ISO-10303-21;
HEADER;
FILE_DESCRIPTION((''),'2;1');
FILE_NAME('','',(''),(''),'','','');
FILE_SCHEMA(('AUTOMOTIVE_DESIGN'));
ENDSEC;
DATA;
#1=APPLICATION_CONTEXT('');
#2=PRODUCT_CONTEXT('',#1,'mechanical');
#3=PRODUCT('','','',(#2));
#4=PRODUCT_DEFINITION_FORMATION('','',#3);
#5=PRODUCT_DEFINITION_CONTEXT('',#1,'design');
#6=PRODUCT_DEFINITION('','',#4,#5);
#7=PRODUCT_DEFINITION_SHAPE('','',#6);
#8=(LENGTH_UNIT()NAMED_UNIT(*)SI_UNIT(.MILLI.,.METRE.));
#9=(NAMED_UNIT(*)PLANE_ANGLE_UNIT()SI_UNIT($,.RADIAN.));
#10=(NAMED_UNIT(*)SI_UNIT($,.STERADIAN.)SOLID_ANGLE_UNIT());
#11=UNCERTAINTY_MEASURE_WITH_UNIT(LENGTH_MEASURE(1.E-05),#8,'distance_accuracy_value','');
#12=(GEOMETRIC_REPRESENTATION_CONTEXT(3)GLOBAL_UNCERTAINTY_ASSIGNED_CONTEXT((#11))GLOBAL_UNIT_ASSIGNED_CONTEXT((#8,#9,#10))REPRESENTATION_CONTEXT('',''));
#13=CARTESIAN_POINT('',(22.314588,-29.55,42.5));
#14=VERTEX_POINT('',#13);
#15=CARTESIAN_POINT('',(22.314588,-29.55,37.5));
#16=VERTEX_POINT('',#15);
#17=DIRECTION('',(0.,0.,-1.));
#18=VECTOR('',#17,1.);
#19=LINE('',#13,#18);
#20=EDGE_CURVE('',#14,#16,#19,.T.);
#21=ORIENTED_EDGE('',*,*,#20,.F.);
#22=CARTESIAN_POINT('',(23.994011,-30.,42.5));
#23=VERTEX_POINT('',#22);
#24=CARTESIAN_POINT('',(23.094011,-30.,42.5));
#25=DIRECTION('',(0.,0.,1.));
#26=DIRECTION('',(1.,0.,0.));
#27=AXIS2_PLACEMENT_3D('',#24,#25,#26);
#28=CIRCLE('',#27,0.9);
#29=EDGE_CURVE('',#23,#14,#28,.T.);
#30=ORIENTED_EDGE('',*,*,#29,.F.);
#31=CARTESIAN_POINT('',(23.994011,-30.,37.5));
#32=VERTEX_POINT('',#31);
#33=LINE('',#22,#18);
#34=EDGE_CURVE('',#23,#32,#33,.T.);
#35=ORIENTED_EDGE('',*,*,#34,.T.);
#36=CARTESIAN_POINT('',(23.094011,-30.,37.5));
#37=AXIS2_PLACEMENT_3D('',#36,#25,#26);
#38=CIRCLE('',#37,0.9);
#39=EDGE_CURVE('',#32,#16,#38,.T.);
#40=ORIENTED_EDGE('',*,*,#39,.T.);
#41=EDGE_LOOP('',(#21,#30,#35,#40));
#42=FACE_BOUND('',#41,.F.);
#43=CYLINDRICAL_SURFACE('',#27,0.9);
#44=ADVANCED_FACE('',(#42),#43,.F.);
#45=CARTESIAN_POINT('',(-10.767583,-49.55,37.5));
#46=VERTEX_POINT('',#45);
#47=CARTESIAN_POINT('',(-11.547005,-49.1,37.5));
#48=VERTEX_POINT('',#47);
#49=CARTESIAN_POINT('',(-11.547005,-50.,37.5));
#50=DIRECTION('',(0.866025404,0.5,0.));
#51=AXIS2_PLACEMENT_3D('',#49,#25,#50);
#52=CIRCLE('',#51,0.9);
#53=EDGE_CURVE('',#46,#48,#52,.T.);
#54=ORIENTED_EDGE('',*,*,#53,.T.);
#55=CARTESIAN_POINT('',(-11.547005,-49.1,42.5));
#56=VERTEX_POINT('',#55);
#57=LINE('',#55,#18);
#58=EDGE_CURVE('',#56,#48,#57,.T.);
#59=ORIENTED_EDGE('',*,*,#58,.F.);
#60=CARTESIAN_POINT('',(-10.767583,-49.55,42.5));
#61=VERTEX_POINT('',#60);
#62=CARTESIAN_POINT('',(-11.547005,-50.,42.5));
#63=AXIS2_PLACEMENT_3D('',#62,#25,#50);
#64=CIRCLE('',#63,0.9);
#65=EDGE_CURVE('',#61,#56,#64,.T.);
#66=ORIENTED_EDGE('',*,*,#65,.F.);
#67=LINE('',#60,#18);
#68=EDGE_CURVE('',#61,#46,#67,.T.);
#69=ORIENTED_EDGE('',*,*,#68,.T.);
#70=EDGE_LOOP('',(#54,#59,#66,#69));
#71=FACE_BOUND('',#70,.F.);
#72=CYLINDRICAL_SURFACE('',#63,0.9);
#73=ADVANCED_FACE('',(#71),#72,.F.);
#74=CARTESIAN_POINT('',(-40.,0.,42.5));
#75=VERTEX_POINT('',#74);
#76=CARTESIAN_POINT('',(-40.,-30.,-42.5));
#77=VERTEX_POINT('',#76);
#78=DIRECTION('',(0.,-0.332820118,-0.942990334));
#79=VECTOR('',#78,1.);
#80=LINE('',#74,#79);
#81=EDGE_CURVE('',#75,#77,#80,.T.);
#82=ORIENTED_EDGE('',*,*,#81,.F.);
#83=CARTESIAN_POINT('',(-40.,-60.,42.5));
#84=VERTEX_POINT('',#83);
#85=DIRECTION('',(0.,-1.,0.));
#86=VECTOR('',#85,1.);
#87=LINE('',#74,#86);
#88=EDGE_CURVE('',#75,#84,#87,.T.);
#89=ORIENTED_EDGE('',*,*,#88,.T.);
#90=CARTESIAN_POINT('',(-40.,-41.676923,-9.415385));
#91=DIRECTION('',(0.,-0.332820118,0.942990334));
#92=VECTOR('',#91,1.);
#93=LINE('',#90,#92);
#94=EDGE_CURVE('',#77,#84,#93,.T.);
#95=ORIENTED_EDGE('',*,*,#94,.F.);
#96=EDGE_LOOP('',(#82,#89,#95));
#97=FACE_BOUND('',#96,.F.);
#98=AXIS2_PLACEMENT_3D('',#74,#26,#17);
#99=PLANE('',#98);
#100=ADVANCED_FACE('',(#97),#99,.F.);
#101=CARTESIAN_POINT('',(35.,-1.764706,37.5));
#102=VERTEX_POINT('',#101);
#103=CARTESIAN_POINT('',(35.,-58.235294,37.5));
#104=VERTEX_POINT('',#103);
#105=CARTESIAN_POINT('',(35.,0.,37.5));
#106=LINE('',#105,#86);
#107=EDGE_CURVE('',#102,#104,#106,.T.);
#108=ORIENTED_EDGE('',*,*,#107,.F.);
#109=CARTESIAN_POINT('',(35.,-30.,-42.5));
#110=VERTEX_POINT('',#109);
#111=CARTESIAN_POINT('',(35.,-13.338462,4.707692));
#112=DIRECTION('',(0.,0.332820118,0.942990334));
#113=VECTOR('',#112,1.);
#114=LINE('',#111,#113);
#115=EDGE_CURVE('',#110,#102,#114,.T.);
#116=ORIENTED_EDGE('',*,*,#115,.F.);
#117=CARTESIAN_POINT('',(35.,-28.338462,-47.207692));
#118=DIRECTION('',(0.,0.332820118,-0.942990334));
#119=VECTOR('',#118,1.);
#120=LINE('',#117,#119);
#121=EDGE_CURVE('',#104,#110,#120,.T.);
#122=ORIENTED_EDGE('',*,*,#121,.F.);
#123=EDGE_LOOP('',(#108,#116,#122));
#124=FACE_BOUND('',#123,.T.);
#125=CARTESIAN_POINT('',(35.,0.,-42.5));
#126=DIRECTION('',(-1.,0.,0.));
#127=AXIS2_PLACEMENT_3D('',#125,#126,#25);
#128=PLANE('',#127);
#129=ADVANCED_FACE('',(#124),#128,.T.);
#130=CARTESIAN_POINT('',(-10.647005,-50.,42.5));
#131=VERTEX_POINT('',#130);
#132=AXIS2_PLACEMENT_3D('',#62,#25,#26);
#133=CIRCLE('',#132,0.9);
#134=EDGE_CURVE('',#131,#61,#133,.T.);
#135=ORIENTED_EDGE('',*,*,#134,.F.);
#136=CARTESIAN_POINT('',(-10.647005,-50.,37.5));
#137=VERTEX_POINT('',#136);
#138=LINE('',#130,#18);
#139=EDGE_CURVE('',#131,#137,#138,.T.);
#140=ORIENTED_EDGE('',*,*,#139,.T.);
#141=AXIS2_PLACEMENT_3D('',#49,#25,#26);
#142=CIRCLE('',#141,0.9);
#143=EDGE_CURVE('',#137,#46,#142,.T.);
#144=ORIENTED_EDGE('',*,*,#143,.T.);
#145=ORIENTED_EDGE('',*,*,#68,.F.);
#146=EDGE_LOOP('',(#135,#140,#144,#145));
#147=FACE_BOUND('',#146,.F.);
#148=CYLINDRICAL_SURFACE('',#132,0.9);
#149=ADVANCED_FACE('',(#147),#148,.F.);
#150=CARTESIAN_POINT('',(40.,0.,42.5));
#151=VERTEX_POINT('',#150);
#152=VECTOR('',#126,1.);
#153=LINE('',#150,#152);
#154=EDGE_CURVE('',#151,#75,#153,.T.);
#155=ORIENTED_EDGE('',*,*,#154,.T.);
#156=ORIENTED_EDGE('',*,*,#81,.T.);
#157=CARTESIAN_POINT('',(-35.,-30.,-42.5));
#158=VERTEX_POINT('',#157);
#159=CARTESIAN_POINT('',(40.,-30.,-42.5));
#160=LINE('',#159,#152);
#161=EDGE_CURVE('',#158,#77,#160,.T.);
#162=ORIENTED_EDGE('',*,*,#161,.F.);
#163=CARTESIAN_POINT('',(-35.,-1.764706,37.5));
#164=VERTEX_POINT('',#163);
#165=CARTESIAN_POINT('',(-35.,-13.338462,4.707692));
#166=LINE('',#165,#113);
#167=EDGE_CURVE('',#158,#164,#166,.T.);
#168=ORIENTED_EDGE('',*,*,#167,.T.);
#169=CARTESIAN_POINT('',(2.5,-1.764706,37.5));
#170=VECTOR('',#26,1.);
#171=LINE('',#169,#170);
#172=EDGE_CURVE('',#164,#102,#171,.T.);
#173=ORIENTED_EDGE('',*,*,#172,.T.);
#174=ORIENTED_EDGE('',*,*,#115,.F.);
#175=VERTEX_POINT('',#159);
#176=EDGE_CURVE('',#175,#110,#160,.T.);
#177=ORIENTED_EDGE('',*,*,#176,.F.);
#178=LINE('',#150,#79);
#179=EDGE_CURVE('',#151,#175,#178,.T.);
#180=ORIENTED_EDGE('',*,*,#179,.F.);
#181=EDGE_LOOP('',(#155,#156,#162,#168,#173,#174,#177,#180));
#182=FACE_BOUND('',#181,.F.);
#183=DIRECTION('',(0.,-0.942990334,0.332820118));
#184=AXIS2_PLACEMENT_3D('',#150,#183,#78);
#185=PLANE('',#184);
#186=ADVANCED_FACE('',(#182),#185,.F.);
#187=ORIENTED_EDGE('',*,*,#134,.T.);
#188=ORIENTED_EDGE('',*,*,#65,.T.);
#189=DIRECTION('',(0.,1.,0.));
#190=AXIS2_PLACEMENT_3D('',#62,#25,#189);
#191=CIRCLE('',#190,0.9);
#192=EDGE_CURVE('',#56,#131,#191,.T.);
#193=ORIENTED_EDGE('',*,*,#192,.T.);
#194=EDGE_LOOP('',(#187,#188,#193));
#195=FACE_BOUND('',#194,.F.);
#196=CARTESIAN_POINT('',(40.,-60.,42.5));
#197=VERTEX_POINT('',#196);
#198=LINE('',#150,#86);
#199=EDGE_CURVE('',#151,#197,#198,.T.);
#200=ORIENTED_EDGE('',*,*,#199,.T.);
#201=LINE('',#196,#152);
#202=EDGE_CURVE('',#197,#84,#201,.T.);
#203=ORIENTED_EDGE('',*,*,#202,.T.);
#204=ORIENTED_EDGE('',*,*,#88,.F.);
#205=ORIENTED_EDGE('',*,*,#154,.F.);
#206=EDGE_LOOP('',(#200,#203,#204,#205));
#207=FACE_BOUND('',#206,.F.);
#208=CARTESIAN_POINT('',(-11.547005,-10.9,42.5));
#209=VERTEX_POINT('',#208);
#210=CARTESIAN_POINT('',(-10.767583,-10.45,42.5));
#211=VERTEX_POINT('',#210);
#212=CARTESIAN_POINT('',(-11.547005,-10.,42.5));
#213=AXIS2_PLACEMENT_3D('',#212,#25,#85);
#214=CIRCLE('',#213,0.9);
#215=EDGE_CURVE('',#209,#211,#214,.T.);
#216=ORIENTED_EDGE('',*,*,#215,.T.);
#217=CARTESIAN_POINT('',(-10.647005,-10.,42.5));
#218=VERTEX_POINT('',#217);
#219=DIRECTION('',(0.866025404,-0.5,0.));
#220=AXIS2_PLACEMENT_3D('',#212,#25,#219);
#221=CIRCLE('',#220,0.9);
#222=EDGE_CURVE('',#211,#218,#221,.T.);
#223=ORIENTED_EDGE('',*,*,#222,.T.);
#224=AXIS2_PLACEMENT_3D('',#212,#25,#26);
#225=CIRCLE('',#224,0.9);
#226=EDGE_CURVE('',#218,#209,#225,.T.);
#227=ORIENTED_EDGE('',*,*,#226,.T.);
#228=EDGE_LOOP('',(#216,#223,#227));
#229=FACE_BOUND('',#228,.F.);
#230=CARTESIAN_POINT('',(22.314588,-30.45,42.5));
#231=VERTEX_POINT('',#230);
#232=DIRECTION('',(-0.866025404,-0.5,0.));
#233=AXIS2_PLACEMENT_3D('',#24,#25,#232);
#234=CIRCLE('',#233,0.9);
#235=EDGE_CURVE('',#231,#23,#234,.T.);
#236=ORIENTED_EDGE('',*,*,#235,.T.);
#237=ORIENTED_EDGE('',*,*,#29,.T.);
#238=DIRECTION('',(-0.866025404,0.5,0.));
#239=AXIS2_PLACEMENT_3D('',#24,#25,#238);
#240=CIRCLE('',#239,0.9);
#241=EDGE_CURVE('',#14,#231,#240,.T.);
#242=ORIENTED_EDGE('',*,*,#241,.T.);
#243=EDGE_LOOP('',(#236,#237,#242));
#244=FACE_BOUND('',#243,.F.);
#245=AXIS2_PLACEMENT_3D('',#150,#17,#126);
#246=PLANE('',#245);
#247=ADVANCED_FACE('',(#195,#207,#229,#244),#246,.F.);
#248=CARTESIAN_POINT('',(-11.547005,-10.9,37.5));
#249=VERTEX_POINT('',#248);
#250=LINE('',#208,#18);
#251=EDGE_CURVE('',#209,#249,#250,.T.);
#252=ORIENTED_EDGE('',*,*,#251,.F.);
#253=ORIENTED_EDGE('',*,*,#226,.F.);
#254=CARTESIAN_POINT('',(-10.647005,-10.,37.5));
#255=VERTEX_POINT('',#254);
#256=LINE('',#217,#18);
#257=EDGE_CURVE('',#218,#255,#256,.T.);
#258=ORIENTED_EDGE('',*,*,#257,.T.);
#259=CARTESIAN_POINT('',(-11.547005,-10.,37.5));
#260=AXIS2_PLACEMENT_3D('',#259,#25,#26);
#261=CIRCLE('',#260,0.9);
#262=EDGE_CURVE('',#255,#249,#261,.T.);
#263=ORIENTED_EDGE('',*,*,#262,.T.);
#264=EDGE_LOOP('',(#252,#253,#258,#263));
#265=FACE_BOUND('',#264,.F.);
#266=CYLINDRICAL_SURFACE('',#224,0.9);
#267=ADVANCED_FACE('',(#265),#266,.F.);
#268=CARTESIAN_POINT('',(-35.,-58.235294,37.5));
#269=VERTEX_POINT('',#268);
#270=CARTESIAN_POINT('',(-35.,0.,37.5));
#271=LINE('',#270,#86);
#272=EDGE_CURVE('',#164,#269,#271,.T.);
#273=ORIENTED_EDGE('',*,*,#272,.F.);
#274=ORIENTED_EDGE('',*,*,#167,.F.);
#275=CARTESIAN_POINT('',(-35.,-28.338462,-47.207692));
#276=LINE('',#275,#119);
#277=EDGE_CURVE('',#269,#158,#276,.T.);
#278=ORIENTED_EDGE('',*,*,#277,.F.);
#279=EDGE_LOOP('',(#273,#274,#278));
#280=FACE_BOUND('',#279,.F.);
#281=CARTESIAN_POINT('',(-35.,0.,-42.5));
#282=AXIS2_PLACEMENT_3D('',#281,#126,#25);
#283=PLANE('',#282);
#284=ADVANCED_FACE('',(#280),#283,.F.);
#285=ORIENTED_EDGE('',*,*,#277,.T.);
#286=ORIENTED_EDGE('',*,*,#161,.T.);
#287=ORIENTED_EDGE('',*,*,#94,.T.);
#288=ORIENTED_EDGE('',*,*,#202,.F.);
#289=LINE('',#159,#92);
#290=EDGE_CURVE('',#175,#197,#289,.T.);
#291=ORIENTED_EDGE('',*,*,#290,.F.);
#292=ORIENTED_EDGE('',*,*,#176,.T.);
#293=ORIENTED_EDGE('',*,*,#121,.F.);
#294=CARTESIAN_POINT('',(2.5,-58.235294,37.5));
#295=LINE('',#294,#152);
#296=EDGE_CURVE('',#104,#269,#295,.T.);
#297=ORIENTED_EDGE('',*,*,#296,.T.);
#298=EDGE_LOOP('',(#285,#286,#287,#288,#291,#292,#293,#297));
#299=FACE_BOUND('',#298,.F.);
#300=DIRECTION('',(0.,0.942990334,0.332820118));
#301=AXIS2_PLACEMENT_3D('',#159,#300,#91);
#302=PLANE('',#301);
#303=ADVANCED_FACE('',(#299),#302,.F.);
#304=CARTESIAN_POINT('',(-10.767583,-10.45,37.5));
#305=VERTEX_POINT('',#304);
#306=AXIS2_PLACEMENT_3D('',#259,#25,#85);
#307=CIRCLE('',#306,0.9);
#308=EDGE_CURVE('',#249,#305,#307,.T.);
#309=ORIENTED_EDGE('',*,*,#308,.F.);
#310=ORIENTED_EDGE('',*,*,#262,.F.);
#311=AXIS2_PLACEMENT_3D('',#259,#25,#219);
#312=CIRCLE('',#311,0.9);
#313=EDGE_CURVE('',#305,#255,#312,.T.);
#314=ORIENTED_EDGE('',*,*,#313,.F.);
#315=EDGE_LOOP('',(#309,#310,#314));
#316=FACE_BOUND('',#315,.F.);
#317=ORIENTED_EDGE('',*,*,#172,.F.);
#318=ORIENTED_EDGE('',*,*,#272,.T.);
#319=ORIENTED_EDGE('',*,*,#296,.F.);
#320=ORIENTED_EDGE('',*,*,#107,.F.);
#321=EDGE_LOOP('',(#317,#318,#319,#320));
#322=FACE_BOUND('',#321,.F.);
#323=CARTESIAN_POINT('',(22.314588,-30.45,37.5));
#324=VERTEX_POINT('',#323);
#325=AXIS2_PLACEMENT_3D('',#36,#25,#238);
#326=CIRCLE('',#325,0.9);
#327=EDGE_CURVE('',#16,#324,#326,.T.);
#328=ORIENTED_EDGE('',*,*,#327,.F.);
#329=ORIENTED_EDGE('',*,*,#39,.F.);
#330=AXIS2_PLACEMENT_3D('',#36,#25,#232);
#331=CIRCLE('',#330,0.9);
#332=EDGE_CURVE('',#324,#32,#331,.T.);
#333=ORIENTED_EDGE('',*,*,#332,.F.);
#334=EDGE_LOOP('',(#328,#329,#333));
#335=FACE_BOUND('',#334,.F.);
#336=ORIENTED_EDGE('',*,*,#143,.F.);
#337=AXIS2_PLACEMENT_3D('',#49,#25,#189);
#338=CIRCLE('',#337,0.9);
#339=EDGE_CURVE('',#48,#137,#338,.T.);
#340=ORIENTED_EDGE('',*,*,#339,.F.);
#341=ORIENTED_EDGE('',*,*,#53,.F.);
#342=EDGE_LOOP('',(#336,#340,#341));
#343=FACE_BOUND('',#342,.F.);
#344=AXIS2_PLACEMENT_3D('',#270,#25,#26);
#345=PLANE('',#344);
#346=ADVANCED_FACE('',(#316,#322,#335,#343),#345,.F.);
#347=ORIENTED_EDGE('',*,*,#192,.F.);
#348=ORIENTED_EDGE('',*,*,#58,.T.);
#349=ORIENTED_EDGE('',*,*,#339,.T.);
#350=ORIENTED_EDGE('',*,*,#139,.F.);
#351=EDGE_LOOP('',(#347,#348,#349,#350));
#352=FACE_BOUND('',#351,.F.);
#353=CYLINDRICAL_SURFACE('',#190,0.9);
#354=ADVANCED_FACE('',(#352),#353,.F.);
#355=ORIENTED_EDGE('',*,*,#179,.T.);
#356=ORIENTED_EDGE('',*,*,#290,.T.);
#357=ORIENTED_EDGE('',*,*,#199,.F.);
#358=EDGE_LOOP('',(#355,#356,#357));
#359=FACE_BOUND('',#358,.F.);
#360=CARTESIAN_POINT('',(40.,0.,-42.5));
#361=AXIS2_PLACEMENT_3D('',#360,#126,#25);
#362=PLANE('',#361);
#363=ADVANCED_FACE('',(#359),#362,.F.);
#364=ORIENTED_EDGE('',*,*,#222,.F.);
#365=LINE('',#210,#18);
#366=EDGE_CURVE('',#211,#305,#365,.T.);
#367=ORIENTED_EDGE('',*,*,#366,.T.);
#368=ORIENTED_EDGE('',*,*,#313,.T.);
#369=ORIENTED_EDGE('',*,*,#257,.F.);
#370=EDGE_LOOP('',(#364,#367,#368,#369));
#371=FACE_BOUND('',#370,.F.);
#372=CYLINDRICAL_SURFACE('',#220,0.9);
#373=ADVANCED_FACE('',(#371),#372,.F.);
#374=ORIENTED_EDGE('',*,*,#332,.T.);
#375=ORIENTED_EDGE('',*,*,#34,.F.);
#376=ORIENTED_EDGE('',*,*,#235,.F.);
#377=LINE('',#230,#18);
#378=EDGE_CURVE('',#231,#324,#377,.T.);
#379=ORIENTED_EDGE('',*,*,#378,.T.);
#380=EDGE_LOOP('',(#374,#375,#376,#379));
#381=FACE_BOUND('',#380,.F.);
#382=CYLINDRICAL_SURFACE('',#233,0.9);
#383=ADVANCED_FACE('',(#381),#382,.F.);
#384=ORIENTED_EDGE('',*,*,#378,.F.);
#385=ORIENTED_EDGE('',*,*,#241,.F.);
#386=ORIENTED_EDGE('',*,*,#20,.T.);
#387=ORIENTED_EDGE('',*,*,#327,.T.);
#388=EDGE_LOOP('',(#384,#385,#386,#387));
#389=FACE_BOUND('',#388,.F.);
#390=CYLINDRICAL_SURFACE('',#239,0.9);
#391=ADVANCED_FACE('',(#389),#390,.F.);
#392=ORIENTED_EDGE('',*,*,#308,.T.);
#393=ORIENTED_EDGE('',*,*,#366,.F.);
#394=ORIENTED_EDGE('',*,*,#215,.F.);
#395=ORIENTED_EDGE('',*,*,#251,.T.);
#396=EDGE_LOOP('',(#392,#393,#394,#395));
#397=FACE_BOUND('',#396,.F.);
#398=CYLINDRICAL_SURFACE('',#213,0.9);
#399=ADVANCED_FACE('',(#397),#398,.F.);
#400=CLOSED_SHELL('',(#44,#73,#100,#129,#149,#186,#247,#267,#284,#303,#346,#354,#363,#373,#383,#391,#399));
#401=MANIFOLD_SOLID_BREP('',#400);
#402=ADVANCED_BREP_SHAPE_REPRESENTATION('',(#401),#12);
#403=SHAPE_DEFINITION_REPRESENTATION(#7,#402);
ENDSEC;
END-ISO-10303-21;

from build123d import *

# Parameters (mm, degrees)
F0_W     = 5
F0_H     = 80
F0_H_2   = 5
F0_W_2   = 70
F1_DEPTH = 60
F3_DEPTH = 85.001
F5_DEPTH = 80.001


with BuildPart() as f1:
    # F0 (on Front) → F1 (new body)
    with BuildSketch(Plane.XZ):
        with Locations((-37.5, -2.5)):
            Rectangle(F0_W, F0_H)
        with Locations((-37.5, 40)):
            Rectangle(F0_W, F0_H_2)
        with Locations((0, 40)):
            Rectangle(F0_W_2, F0_H_2)
        with Locations((37.5, 40)):
            Rectangle(F0_W, F0_H_2)
        with Locations((37.5, -2.5)):
            Rectangle(F0_W, F0_H)
    extrude(amount=F1_DEPTH)

    # F2 (on face) → F3 (cut, through all)
    with BuildSketch(Plane.XY.offset(42.5)):
        with BuildLine():
            Line((22.3145879042, -29.55), (23.0940107676, -30))
            Line((23.0940107676, -30), (22.3145879042, -30.45))
            ThreePointArc((22.3145879042, -30.45), (23.3269479082, -30.8693332437), (23.9940107676, -30))
            ThreePointArc((23.9940107676, -30), (23.3269479082, -29.1306667563), (22.3145879042, -29.55))
        make_face()
        with BuildLine():
            Line((22.3145879042, -30.45), (23.0940107676, -30))
            Line((23.0940107676, -30), (22.3145879042, -29.55))
            ThreePointArc((22.3145879042, -29.55), (22.1940107676, -30), (22.3145879042, -30.45))
        make_face()
        with BuildLine():
            ThreePointArc((-11.5470053838, -10.9), (-11.0970053838, -10.7794228634), (-10.7675825204, -10.45))
            Line((-10.7675825204, -10.45), (-11.5470053838, -10))
            Line((-11.5470053838, -10), (-11.5470053838, -10.9))
        make_face()
        with BuildLine():
            Line((-11.5470053838, -10), (-10.7675825204, -10.45))
            ThreePointArc((-10.7675825204, -10.45), (-10.6776721401, -10.2329371406), (-10.6470053838, -10))
            ThreePointArc((-10.6470053838, -10), (-12.1834014869, -9.3636038969), (-11.5470053838, -10.9))
            Line((-11.5470053838, -10.9), (-11.5470053838, -10))
        make_face()
        with BuildLine():
            Line((-11.5470053838, -50), (-10.7675825204, -49.55))
            ThreePointArc((-10.7675825204, -49.55), (-11.0970053838, -49.2205771366), (-11.5470053838, -49.1))
            Line((-11.5470053838, -49.1), (-11.5470053838, -50))
        make_face()
        with BuildLine():
            ThreePointArc((-10.6470053838, -50), (-10.6776721401, -49.7670628594), (-10.7675825204, -49.55))
            Line((-10.7675825204, -49.55), (-11.5470053838, -50))
            Line((-11.5470053838, -50), (-11.5470053838, -49.1))
            ThreePointArc((-11.5470053838, -49.1), (-12.1834014869, -50.6363961031), (-10.6470053838, -50))
        make_face()
    extrude(amount=-F3_DEPTH, mode=Mode.SUBTRACT)

    # F4 (on face) → F5 (cut, through all)
    with BuildSketch(Plane.YZ.offset(40)):
        Polygon((-60, -42.5), (-30, -42.5), (-60, 42.5), align=None)
        Polygon((0, 42.5), (-30, -42.5), (0, -42.5), align=None)
    extrude(amount=-F5_DEPTH, mode=Mode.SUBTRACT)


solid = f1.part
